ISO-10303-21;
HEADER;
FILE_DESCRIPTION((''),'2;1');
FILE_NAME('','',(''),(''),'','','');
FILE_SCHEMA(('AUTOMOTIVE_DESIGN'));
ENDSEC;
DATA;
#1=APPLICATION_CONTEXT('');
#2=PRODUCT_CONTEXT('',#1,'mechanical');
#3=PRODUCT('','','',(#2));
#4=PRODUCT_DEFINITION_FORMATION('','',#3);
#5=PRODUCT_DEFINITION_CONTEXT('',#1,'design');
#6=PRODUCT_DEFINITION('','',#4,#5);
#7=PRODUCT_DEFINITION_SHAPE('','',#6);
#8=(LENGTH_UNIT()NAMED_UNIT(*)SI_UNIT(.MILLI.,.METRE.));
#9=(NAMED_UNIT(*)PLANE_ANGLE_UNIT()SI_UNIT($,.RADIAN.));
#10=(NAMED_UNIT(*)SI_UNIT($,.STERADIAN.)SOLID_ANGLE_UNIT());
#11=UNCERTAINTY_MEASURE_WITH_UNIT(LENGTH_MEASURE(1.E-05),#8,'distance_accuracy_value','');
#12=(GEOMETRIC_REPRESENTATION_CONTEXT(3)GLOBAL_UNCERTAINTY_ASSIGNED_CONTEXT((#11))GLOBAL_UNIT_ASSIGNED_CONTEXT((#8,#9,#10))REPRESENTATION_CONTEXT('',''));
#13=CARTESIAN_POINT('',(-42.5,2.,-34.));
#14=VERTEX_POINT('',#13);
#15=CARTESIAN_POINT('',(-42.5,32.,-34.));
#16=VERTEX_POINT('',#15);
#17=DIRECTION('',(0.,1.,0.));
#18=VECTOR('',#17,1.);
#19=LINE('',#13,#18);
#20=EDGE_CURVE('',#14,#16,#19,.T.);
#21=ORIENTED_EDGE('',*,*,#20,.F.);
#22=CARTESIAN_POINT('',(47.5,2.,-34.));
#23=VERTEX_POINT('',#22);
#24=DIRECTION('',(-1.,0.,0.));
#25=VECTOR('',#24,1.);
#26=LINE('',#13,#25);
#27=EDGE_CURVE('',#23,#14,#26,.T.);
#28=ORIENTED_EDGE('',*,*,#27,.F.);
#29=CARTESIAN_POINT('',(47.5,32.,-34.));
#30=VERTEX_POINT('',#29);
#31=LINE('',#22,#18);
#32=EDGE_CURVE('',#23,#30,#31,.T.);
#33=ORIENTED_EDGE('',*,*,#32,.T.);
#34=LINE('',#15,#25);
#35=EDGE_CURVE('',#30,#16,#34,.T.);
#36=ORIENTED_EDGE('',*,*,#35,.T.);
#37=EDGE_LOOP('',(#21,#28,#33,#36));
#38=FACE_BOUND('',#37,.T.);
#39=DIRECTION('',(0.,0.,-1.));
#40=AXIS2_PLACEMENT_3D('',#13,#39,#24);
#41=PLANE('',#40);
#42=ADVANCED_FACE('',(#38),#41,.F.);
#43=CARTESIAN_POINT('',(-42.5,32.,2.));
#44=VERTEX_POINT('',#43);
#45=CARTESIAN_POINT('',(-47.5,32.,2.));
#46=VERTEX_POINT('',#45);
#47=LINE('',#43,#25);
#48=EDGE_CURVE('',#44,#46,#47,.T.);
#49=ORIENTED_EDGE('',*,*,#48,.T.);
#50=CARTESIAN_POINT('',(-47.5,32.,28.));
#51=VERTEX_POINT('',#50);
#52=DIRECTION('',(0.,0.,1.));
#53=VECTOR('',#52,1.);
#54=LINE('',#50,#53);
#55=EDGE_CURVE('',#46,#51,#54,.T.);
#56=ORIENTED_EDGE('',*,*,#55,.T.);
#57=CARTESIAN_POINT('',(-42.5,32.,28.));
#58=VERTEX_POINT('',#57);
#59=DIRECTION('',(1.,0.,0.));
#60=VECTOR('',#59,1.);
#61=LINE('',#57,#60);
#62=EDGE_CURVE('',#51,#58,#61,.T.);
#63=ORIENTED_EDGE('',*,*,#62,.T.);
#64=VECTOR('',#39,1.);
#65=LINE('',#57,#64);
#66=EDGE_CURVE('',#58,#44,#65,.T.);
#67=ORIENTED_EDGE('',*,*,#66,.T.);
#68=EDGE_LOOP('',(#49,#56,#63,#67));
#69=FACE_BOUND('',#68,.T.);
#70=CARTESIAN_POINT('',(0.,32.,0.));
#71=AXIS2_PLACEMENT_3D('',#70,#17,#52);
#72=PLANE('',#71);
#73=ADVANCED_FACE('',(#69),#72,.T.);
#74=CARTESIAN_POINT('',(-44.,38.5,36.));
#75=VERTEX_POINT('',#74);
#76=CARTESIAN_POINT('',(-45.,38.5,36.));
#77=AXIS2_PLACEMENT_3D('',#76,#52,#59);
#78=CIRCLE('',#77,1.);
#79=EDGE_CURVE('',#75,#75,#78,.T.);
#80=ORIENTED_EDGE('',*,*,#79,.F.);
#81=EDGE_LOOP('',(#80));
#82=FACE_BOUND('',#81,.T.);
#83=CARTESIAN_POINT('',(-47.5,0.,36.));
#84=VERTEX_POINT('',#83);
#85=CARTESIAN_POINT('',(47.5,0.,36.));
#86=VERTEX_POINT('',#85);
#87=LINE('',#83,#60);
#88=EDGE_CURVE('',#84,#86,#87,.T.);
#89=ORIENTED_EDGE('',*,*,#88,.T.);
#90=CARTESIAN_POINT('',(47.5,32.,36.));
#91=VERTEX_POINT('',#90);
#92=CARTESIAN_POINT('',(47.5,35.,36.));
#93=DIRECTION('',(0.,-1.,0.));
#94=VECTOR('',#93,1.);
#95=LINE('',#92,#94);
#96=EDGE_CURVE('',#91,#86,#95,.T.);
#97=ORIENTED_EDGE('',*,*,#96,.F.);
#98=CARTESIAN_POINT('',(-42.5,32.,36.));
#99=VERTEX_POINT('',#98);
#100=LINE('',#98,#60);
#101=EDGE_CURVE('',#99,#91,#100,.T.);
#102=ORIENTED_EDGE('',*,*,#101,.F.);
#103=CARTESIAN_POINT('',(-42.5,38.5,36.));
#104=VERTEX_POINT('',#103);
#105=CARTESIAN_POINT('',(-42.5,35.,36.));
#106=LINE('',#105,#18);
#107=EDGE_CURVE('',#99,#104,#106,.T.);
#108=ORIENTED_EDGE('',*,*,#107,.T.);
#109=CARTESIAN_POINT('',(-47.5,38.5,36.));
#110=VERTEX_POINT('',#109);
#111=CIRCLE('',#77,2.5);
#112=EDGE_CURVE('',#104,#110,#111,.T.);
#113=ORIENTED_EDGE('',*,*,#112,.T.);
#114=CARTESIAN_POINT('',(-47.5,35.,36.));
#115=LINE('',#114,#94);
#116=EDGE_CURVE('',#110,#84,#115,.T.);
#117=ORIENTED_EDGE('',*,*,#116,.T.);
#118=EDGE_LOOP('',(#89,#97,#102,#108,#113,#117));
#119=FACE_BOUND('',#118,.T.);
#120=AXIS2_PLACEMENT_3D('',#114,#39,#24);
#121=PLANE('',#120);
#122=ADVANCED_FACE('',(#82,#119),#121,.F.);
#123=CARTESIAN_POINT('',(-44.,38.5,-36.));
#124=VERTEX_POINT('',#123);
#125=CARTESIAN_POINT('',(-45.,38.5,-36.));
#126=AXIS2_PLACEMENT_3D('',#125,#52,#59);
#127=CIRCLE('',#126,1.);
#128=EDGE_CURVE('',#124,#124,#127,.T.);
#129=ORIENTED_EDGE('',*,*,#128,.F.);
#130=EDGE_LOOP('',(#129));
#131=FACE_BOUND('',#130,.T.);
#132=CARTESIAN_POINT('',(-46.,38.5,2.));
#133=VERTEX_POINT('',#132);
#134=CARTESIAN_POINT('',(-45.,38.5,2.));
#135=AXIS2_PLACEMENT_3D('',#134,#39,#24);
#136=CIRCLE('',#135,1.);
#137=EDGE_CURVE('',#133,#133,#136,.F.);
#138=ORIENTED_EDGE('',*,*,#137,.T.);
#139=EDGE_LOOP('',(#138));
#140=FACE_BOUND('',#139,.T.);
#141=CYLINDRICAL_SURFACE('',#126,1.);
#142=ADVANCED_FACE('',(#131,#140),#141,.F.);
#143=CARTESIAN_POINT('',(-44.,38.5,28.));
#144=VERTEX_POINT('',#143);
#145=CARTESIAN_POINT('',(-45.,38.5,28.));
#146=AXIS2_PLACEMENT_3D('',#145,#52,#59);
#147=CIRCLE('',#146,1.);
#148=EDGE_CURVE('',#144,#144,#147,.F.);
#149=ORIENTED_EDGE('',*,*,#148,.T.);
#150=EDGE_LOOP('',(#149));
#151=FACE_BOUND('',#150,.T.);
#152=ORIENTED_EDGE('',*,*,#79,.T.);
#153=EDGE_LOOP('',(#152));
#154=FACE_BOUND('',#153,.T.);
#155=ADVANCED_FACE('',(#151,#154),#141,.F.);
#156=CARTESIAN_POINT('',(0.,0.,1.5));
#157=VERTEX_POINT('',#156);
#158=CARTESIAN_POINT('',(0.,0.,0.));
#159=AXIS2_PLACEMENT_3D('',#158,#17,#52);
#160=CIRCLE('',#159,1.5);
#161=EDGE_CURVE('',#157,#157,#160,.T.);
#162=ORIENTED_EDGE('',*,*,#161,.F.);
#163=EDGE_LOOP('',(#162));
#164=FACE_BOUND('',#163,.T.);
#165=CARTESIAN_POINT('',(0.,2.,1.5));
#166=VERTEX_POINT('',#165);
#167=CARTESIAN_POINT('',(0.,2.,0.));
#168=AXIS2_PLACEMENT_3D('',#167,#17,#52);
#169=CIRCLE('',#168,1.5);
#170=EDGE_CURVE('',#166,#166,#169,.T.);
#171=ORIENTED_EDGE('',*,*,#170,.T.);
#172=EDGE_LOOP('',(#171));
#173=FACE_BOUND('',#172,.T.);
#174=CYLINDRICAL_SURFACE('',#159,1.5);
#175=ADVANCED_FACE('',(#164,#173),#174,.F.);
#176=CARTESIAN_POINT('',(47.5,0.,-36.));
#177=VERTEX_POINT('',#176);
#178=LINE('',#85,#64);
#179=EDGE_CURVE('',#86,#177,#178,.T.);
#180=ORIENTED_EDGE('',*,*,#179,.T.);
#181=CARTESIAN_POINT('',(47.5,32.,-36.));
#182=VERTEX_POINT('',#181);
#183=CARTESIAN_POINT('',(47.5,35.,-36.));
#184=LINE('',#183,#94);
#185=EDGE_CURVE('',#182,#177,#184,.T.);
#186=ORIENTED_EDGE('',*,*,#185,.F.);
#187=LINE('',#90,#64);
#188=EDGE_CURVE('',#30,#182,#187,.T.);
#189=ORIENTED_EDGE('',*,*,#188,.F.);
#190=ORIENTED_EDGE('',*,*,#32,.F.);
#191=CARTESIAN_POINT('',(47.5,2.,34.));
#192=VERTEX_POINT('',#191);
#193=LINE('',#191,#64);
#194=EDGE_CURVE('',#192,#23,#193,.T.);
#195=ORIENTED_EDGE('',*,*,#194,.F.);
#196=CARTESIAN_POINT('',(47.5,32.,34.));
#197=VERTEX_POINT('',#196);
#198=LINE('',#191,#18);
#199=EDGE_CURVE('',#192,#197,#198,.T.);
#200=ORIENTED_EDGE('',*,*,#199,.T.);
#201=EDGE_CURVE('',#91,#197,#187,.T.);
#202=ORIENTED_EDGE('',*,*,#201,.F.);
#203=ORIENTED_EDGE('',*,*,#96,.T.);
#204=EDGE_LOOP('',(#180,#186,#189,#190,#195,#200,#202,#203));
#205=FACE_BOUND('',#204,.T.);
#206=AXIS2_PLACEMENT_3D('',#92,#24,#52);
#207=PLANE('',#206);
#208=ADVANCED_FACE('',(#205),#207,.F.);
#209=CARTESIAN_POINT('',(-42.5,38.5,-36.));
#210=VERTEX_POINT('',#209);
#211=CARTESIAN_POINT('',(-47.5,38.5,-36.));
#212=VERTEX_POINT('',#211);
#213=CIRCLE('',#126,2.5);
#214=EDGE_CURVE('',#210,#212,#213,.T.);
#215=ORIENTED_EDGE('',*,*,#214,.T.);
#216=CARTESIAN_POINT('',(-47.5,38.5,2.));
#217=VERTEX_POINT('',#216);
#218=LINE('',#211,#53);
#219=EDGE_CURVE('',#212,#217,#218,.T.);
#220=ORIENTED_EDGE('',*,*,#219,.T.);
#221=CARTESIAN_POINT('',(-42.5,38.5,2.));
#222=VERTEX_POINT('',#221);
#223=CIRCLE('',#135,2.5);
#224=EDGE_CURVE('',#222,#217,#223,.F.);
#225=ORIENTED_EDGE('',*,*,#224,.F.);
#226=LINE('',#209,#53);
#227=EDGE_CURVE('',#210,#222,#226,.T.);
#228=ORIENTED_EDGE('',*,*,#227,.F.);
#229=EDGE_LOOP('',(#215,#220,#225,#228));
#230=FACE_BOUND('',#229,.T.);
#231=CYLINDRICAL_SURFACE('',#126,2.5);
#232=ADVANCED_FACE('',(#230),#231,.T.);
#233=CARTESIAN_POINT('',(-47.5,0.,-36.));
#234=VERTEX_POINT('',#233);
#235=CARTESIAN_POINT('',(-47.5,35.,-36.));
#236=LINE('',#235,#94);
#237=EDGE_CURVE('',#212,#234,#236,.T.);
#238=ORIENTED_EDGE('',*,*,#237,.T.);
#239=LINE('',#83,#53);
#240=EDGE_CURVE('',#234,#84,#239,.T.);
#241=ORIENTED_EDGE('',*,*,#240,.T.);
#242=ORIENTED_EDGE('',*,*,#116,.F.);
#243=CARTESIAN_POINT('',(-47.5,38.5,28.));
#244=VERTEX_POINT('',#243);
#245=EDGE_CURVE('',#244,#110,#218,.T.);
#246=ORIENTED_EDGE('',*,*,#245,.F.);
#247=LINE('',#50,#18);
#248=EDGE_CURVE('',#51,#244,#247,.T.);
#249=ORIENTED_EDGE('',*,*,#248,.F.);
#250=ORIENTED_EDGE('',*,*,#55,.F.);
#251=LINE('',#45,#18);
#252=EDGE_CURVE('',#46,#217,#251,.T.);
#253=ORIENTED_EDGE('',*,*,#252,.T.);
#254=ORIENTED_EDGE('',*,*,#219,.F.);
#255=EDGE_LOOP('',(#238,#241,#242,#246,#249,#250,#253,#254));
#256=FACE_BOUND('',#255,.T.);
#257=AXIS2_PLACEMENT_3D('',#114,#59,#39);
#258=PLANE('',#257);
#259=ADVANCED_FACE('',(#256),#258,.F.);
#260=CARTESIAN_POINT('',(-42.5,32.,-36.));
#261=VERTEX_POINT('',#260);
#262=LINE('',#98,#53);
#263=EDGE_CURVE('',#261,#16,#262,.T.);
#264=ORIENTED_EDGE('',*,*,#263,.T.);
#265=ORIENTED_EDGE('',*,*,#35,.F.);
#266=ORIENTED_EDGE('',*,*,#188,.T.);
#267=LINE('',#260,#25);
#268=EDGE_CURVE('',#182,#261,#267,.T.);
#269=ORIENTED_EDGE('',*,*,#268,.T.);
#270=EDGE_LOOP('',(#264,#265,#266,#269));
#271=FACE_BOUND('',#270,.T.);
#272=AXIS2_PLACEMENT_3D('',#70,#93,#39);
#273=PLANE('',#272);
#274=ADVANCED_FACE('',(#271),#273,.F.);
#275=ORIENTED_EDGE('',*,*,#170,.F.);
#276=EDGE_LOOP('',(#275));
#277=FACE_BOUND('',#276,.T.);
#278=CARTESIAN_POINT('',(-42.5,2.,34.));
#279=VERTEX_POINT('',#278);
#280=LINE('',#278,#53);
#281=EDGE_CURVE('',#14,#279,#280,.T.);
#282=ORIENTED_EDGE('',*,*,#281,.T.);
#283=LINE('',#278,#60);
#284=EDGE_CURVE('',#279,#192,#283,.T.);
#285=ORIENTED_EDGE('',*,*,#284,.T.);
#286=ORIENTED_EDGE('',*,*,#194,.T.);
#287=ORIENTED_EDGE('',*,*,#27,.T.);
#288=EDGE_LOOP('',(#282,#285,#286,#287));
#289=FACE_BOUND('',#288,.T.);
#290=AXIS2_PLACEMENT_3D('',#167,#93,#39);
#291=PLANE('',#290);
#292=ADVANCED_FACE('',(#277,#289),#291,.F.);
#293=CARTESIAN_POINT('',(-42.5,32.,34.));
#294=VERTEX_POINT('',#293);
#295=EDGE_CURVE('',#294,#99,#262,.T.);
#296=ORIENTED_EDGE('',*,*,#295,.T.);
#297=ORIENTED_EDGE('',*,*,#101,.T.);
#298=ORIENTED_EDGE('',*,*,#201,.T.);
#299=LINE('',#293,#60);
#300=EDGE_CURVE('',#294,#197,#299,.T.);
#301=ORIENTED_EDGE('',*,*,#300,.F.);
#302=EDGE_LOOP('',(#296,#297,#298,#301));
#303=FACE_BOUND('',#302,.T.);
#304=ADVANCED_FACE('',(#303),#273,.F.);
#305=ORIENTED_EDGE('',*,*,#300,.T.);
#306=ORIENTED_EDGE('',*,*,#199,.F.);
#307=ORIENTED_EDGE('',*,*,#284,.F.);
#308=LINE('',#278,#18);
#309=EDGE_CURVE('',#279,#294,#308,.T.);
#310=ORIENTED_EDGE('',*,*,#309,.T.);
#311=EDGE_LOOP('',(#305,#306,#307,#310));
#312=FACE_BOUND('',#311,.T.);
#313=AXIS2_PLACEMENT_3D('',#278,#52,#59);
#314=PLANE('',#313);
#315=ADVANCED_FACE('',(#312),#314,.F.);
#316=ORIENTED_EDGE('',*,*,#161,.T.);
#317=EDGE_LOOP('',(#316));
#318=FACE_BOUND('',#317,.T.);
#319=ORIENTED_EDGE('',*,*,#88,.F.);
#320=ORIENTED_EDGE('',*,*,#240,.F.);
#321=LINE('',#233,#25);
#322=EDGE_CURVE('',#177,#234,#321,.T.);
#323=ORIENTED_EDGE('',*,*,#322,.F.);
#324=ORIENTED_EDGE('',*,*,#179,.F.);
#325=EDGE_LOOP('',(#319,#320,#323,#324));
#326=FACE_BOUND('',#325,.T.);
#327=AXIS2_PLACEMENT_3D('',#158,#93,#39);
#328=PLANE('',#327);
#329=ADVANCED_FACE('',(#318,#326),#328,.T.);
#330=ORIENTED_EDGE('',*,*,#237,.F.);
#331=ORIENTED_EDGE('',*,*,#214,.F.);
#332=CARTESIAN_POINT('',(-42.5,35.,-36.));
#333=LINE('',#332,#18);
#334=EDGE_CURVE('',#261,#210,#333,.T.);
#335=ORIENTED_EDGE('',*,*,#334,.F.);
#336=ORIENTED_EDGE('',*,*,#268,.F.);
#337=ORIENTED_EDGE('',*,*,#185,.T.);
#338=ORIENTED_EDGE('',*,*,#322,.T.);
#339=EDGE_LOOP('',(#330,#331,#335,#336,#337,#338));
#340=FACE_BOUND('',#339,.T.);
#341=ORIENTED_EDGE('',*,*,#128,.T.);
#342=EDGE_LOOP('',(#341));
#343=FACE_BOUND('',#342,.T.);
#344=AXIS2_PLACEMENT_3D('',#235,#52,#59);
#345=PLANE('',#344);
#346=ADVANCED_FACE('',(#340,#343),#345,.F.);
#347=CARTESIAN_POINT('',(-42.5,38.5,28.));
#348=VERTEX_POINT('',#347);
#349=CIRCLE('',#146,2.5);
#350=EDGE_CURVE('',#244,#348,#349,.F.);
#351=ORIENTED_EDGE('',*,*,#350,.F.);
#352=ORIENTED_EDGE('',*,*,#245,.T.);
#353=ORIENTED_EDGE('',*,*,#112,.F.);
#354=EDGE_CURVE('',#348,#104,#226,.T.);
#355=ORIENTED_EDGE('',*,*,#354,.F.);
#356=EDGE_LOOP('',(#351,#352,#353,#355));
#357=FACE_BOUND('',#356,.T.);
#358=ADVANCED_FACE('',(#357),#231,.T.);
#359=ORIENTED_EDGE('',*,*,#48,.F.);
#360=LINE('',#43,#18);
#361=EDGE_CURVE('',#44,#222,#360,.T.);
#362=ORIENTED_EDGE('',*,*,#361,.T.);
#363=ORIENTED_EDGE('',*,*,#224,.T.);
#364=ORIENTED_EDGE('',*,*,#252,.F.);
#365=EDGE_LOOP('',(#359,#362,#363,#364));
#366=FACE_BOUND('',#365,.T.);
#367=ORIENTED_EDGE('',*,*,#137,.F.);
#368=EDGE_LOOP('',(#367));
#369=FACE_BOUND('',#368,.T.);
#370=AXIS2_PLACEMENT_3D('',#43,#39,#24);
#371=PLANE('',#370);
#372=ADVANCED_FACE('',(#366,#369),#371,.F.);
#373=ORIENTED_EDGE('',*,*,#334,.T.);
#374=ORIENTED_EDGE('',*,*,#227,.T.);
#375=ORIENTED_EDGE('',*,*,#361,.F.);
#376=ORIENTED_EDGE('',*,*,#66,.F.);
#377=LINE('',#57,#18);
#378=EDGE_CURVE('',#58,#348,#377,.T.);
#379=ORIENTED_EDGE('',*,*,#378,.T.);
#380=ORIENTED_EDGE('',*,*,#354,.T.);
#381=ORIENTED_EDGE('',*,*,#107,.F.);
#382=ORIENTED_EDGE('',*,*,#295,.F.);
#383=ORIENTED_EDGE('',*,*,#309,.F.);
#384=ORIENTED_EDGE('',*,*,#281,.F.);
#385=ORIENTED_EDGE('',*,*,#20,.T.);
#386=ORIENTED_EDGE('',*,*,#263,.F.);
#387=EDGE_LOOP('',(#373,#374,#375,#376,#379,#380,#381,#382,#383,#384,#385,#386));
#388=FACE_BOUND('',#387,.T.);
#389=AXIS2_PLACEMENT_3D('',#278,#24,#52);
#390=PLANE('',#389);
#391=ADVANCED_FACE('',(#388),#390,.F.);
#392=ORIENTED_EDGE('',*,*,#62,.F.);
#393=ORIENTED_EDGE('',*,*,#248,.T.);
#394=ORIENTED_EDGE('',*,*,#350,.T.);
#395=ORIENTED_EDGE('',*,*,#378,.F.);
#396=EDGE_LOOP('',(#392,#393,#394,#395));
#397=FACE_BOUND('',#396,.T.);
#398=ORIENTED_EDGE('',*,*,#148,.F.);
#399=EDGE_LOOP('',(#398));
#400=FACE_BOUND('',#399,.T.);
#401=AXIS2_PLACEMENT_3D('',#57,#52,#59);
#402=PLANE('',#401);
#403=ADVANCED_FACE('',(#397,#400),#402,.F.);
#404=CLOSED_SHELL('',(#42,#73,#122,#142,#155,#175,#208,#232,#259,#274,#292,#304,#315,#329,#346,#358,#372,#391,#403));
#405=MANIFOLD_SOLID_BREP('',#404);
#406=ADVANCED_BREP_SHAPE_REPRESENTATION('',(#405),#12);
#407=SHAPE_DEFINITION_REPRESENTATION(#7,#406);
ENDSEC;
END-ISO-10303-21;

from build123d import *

# Parameters (mm, degrees)
SKETCH1_W               = 95
SKETCH1_H               = 72
BOSS_EXTRUDE1_DEPTH     = 35
SKETCH5_W               = 90
SKETCH5_H               = 68
CUT_EXTRUDE1_DEPTH      = 33
SKETCH10_R              = 1
BOSS_EXTRUDE5_DEPTH     = 72
CUT_EXTRUDE2_DEPTH      = 10
CUT_EXTRUDE2_DEPTH_BACK = 3
SKETCH19_W              = 5
SKETCH19_H              = 26
SKETCH20_W              = 90
SKETCH20_H              = 72
CUT_EXTRUDE3_DEPTH      = 3
SKETCH21_R              = 1.5
CUT_EXTRUDE4_DEPTH      = 72.226750593


with BuildPart() as part:
    # Sketch1 → Boss-Extrude1 (new body)
    with BuildSketch(Plane(origin=(0, 0, 0), x_dir=(1, 0, 0), z_dir=(0, 1, 0))):
        Rectangle(SKETCH1_W, SKETCH1_H)
    extrude(amount=BOSS_EXTRUDE1_DEPTH)

    # Sketch5 → Cut-Extrude1 (cut)
    with BuildSketch(Plane(origin=(0, 35, 0), x_dir=(1, 0, 0), z_dir=(0, 1, 0))):
        with Locations((2.5, 0)):
            Rectangle(SKETCH5_W, SKETCH5_H)
    extrude(amount=-CUT_EXTRUDE1_DEPTH, mode=Mode.SUBTRACT)

    # Sketch10 → Boss-Extrude5 (add, through all)
    with BuildSketch(Plane.XY.offset(36)):
        with BuildLine():
            Line((-42.5, 35), (-42.5, 38.5))
            ThreePointArc((-42.5, 38.5), (-45, 41), (-47.5, 38.5))
            Line((-47.5, 38.5), (-47.5, 35))
            Line((-47.5, 35), (-42.5, 35))
        make_face()
        with Locations((-45, 38.5)):
            Circle(SKETCH10_R, mode=Mode.SUBTRACT)
    extrude(amount=-BOSS_EXTRUDE5_DEPTH)

    # Sketch19 → Cut-Extrude2 (cut, two sides: drawn at the far end of the back side and taken through both)
    with BuildSketch(Plane(origin=(0, 35, 0), x_dir=(1, 0, 0), z_dir=(0, 1, 0)).offset(-CUT_EXTRUDE2_DEPTH_BACK)):
        with Locations((-45, -15)):
            Rectangle(SKETCH19_W, SKETCH19_H)
    extrude(amount=CUT_EXTRUDE2_DEPTH + CUT_EXTRUDE2_DEPTH_BACK, mode=Mode.SUBTRACT)

    # Sketch20 → Cut-Extrude3 (cut)
    with BuildSketch(Plane(origin=(0, 35, 0), x_dir=(1, 0, 0), z_dir=(0, 1, 0))):
        with Locations((2.5, 0)):
            Rectangle(SKETCH20_W, SKETCH20_H)
    extrude(amount=-CUT_EXTRUDE3_DEPTH, mode=Mode.SUBTRACT)

    # Sketch21 → Cut-Extrude4 (cut, through all)
    with BuildSketch(Plane(origin=(0, 2, 0), x_dir=(1, 0, 0), z_dir=(0, 1, 0))):
        with Locations(Location((0, 0, 0), (0, 0, 270))):
            Circle(SKETCH21_R)
    extrude(amount=-CUT_EXTRUDE4_DEPTH, mode=Mode.SUBTRACT)


solid = part.part
